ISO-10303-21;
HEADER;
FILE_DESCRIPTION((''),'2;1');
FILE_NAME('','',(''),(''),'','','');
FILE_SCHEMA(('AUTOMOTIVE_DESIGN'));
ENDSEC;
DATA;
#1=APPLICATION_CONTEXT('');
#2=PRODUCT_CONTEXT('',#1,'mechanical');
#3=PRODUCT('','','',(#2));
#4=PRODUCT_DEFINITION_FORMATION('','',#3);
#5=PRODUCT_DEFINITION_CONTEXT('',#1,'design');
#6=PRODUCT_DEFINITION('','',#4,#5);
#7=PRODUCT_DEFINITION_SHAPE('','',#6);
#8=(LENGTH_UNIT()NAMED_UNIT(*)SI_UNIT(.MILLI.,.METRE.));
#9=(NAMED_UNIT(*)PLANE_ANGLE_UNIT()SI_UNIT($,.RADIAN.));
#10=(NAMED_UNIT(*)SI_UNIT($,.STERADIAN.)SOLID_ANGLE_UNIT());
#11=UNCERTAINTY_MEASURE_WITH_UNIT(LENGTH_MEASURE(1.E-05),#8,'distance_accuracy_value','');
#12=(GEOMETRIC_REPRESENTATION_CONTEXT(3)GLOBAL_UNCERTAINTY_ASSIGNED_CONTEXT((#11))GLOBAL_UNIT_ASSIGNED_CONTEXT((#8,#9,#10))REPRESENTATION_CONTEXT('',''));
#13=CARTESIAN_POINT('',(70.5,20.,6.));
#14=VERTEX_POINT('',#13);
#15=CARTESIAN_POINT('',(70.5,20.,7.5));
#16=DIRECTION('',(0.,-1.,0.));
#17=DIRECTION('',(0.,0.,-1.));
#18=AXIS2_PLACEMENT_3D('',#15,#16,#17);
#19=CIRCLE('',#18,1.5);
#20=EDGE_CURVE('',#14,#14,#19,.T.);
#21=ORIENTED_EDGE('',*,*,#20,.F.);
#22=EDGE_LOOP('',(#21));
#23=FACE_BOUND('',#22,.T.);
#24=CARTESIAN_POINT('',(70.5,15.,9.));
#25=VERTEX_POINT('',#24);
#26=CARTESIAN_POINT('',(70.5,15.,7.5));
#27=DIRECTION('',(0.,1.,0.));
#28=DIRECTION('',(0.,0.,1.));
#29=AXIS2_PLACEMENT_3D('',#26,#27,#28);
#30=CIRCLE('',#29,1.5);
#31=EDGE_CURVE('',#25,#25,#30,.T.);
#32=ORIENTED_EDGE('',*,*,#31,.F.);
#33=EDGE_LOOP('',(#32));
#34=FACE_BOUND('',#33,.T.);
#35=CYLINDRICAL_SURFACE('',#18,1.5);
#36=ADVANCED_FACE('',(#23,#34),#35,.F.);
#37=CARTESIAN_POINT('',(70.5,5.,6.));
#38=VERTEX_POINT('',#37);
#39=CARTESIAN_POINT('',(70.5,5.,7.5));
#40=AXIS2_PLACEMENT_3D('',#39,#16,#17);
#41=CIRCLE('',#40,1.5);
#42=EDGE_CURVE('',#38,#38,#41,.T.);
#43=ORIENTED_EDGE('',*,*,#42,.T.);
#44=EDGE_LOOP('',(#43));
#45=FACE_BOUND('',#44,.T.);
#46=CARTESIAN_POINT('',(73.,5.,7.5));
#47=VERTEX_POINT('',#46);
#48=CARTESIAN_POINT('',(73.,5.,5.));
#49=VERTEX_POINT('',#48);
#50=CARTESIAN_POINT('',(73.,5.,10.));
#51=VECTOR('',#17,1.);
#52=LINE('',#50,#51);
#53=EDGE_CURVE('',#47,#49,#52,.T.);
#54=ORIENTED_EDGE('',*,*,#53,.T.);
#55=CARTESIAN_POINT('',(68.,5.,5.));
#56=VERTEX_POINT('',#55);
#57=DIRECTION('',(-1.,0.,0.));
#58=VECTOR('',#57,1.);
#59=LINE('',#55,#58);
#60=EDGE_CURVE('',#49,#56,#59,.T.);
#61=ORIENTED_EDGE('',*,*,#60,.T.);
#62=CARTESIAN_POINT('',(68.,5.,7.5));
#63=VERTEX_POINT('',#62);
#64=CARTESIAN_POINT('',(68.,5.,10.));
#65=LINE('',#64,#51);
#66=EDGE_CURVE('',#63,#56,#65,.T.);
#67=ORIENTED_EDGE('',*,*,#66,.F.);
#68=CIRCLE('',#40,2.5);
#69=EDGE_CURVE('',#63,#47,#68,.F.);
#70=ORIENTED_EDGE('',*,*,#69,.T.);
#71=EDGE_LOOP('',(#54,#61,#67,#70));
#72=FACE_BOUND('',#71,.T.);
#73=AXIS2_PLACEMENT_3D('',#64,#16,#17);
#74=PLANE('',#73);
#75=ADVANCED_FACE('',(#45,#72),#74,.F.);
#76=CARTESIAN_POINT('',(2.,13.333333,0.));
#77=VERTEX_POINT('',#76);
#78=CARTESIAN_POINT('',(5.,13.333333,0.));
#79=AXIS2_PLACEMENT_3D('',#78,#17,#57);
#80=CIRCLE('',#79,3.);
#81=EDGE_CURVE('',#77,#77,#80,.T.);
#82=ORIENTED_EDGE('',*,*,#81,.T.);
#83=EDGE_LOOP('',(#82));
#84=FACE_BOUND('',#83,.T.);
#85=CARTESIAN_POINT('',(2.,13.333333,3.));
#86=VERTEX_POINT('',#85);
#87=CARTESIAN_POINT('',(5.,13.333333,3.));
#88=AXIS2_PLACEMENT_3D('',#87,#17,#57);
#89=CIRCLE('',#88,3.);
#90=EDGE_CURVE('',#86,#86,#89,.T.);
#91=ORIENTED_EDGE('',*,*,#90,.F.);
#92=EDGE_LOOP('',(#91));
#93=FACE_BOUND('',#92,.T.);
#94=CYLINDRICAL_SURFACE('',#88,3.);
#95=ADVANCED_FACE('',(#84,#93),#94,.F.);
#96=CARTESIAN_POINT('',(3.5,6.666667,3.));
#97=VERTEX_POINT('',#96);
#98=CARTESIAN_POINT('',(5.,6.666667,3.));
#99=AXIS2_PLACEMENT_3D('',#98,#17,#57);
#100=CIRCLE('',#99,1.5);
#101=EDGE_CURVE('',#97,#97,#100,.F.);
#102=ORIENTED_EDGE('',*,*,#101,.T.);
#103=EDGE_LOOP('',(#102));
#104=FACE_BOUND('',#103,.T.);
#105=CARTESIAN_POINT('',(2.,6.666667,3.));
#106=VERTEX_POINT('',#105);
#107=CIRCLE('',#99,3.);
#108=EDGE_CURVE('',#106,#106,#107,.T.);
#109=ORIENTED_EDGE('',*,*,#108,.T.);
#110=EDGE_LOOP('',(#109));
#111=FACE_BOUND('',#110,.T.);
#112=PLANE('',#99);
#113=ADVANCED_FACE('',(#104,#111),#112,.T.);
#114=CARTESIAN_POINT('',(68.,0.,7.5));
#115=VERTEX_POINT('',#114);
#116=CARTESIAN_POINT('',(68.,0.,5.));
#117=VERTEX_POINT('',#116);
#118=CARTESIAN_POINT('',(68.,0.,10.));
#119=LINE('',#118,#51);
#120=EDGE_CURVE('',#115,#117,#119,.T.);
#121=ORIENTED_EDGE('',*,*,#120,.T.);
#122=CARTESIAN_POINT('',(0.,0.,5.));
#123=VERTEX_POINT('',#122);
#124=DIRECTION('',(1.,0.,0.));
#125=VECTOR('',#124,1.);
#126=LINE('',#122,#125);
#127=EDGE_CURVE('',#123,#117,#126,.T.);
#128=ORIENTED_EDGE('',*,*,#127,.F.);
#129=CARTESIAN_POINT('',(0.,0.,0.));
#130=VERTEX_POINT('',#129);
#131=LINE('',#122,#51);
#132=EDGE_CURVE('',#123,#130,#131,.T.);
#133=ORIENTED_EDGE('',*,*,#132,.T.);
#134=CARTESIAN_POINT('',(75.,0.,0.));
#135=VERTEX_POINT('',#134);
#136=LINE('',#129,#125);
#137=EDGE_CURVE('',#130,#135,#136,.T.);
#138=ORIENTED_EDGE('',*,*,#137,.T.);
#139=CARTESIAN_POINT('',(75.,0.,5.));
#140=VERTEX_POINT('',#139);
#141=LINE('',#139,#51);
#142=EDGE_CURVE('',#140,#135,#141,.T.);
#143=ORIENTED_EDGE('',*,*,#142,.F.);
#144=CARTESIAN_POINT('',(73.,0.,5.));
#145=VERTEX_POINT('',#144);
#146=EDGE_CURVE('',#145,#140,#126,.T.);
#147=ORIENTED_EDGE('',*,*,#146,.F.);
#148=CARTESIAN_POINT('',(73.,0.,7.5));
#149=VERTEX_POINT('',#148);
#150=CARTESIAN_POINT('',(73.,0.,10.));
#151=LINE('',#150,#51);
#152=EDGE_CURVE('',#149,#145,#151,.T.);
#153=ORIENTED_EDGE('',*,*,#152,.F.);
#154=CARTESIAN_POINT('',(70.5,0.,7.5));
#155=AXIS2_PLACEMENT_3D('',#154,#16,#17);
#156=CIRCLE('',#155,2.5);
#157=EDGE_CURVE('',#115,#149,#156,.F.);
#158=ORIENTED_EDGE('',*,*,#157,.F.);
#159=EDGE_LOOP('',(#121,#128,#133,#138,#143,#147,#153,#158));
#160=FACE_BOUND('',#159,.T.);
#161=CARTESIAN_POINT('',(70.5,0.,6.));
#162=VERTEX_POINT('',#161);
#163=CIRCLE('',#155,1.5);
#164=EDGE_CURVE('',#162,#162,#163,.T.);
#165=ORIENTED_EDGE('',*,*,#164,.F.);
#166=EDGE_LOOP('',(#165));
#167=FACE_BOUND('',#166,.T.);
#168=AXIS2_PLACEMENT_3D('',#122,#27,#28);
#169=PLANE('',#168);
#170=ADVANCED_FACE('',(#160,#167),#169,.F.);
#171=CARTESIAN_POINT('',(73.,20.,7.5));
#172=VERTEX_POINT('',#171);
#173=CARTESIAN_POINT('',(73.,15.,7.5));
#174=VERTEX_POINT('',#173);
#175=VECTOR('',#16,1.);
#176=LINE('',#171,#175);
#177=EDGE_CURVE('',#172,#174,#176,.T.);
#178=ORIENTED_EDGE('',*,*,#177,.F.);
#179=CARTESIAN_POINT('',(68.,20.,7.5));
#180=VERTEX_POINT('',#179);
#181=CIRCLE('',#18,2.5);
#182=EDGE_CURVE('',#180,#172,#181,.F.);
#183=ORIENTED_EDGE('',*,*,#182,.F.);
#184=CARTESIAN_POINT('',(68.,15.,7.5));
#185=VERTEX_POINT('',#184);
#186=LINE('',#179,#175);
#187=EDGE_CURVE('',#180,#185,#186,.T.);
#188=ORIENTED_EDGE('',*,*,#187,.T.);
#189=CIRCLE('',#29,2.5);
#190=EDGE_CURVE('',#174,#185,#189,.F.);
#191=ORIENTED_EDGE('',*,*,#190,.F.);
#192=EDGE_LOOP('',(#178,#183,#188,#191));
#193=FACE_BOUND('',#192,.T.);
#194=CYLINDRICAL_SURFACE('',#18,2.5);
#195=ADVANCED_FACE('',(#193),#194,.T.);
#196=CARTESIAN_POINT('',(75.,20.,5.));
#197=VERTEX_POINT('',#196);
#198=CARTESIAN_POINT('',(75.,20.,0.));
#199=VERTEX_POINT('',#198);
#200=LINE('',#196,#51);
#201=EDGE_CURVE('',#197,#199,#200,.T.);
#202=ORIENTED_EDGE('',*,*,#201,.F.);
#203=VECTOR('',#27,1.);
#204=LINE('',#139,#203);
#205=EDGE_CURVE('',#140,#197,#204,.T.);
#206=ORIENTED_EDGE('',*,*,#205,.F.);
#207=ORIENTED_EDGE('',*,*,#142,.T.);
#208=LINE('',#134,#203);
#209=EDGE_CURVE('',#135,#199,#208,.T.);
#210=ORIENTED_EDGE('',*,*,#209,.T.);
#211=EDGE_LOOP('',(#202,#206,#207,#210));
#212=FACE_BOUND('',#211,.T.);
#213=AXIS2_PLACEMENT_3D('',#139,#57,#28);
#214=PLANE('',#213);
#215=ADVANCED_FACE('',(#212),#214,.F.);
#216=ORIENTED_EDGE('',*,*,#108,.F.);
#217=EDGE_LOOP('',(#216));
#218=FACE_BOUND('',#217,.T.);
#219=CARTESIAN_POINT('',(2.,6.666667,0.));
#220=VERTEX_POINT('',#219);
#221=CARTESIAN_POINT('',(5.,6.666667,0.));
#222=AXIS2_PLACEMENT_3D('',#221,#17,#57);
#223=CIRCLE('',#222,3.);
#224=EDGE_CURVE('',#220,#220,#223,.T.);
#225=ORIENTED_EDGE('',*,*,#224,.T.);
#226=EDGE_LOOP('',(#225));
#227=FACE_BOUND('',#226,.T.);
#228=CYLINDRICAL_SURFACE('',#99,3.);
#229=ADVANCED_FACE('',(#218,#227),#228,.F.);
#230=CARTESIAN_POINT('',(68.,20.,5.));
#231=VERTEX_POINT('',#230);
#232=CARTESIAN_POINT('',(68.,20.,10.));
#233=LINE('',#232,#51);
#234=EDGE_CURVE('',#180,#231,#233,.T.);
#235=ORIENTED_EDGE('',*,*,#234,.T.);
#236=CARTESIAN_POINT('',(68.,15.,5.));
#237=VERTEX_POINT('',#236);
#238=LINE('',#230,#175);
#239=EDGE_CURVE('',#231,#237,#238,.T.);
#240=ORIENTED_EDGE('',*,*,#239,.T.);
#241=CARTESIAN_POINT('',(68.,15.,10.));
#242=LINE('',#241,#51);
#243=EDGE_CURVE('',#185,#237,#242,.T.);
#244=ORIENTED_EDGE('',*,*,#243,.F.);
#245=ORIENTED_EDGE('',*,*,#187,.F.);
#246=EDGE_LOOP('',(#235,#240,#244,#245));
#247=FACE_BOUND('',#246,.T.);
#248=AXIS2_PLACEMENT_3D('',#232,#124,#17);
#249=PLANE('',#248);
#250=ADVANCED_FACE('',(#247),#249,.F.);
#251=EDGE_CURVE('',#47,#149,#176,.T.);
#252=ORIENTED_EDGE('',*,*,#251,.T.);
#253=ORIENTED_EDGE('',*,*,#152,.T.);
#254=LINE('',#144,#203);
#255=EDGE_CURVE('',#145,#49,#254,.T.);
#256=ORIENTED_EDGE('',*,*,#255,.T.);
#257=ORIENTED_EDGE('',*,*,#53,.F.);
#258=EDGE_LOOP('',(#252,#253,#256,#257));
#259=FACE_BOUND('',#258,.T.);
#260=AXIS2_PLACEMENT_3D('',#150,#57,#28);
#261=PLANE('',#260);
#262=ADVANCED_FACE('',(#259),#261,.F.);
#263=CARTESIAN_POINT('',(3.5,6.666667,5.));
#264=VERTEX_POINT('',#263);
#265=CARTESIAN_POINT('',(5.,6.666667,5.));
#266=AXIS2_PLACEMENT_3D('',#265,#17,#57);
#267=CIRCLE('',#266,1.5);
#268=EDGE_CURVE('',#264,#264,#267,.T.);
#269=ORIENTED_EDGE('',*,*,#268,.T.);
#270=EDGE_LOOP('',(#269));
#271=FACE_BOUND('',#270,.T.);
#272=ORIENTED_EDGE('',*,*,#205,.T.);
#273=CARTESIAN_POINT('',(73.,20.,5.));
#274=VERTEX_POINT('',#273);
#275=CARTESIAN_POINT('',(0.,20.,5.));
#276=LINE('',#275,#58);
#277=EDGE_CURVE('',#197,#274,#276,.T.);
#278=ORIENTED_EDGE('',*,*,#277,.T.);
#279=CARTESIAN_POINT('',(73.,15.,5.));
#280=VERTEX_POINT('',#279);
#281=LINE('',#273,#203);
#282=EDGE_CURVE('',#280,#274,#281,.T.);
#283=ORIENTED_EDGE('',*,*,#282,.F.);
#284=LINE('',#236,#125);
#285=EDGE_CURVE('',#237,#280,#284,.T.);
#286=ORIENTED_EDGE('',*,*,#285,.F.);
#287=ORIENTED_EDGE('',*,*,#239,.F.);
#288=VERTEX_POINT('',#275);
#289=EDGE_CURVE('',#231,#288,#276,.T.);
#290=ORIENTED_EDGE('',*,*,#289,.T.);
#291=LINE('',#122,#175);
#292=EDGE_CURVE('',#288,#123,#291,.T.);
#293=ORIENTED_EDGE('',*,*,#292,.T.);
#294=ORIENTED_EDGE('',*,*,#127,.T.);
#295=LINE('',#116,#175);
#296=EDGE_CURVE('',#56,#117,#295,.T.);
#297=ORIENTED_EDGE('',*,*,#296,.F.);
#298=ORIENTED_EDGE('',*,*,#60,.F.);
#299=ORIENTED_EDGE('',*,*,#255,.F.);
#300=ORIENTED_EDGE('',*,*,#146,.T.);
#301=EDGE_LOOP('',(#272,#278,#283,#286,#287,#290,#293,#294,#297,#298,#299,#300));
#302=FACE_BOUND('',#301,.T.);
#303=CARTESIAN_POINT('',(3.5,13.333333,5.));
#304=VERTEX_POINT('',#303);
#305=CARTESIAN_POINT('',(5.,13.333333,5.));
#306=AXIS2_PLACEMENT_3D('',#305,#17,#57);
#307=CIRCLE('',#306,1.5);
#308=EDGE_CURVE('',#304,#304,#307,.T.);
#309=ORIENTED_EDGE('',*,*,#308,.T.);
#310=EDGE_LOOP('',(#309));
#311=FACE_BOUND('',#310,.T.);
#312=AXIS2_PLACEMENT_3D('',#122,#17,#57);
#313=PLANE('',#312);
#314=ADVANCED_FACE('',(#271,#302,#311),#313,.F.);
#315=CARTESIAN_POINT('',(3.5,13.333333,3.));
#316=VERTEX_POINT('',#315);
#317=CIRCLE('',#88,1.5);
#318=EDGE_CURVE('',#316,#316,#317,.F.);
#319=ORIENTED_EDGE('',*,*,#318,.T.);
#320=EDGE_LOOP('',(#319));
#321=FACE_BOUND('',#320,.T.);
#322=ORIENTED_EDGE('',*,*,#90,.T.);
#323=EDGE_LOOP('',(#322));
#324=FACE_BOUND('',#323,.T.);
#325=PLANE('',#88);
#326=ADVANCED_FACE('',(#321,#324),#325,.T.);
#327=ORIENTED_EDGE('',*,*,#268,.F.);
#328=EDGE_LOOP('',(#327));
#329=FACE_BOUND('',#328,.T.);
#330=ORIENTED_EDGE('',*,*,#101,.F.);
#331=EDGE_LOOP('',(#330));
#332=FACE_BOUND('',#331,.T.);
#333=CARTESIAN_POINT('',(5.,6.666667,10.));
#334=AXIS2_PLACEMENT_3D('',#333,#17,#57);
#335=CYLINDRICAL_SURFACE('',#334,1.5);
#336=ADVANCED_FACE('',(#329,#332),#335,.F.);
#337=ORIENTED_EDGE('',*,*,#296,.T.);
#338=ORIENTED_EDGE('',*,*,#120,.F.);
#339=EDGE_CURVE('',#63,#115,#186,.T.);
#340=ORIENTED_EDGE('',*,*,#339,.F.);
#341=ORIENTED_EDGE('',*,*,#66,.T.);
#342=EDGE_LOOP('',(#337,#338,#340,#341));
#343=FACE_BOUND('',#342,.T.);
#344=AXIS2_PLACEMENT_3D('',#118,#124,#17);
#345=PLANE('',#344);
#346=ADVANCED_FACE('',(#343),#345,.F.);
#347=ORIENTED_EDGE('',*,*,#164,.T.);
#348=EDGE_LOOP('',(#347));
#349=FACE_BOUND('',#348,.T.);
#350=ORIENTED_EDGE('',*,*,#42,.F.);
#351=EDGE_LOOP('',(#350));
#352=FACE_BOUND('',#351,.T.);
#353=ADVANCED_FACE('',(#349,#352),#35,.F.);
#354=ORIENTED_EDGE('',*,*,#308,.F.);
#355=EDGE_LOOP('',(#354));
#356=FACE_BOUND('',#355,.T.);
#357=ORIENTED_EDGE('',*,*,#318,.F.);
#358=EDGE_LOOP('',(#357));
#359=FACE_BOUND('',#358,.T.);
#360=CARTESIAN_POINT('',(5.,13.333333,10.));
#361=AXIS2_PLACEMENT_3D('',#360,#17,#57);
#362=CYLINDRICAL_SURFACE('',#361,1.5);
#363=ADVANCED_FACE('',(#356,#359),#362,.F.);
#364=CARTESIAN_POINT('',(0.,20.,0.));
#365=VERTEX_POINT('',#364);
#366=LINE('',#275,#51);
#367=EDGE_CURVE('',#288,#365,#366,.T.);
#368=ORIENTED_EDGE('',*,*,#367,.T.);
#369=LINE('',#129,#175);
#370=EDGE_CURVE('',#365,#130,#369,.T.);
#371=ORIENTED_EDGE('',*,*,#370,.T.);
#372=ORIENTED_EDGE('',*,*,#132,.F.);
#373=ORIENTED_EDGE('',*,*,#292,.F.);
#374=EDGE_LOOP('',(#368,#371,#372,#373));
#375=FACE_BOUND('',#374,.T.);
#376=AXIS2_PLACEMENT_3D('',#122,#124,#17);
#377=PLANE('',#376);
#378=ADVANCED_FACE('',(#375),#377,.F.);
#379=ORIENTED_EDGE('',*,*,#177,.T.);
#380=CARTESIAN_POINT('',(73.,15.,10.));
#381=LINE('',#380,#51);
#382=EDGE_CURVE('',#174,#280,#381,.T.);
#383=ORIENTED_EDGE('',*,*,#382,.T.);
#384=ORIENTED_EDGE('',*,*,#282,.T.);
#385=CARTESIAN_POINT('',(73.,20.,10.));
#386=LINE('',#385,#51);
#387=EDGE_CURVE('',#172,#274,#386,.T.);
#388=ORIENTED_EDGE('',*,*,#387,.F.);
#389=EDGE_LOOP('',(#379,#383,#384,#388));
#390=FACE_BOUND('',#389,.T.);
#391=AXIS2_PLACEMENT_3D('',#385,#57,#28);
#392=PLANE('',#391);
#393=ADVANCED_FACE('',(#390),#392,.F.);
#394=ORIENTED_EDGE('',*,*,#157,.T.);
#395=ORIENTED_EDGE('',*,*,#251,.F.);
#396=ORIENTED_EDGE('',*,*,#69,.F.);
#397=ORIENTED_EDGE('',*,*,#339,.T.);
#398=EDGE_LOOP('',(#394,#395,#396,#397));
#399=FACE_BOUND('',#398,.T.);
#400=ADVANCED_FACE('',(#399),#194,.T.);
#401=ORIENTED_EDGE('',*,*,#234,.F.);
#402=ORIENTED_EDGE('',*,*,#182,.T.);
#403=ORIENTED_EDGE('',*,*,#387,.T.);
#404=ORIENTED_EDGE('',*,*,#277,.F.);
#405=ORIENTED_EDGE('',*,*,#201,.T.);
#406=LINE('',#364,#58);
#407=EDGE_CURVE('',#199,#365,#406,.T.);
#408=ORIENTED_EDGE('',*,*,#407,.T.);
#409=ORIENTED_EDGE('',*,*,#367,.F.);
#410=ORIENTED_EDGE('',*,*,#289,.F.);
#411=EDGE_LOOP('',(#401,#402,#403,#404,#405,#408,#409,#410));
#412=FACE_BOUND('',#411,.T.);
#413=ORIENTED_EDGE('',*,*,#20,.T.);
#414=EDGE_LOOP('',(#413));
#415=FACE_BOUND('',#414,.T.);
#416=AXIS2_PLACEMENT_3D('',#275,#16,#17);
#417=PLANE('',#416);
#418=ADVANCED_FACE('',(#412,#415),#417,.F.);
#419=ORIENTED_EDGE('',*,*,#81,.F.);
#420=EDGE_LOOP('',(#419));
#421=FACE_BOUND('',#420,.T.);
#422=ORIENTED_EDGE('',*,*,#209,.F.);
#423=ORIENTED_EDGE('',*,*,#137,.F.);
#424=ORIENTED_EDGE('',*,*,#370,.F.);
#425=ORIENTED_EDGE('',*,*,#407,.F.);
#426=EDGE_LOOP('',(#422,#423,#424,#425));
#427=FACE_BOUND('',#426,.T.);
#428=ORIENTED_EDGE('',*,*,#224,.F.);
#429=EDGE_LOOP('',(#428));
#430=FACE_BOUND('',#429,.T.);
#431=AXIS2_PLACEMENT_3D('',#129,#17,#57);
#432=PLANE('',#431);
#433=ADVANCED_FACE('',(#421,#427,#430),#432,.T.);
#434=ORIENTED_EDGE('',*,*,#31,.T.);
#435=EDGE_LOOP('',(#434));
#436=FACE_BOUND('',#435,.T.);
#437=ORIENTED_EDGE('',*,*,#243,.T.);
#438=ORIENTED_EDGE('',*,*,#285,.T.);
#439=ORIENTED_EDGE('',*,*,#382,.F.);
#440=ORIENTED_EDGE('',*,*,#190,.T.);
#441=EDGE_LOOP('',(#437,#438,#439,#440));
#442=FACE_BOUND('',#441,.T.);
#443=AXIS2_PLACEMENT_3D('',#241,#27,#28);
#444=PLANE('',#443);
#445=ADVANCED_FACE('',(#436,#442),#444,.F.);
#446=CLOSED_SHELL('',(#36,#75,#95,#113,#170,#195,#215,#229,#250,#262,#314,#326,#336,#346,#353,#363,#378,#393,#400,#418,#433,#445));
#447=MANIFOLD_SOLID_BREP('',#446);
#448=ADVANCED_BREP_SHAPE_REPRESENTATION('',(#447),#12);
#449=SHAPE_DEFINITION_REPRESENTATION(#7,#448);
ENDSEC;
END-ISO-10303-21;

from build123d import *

# Parameters (mm, degrees)
ESQUISSE1_W             = 75
ESQUISSE1_H             = 20
BOSS_EXTRU_1_DEPTH      = 5
ESQUISSE2_W             = 5
ESQUISSE2_H             = 5
BOSS_EXTRU_2_DEPTH      = 5
ESQUISSE3_R             = 1.5
ENL_V_MAT_EXTRU_1_DEPTH = 79.262379212
ESQUISSE4_R             = 1.5
ENL_V_MAT_EXTRU_2_DEPTH = 79.262379212
ESQUISSE5_R             = 3
ENL_V_MAT_EXTRU_3_DEPTH = 3


with BuildPart() as part:
    # Esquisse1 → Boss.-Extru.1 (new body)
    with BuildSketch(Plane.XY):
        with Locations((37.5, 10)):
            Rectangle(ESQUISSE1_W, ESQUISSE1_H)
    extrude(amount=BOSS_EXTRU_1_DEPTH)

    # Esquisse2 → Boss.-Extru.2 (add)
    with BuildSketch(Plane.XY.offset(5)):
        with Locations((70.5, 17.5)):
            Rectangle(ESQUISSE2_W, ESQUISSE2_H)
        with Locations((70.5, 2.5)):
            Rectangle(ESQUISSE2_W, ESQUISSE2_H)
    extrude(amount=BOSS_EXTRU_2_DEPTH)

    # Esquisse3 → Enlèv. mat.-Extru.1 (cut, through all)
    with BuildSketch(Plane.XZ):
        with Locations(Location((70.5, 7.5, 0), (0, 0, 270))):
            Circle(ESQUISSE3_R)
        with BuildLine():
            Line((68, 10), (68, 7.5))
            ThreePointArc((68, 7.5), (68.732233047, 9.267766953), (70.5, 10))
            Line((70.5, 10), (68, 10))
        make_face()
        with BuildLine():
            Line((73, 10), (70.5, 10))
            ThreePointArc((70.5, 10), (72.267766953, 9.267766953), (73, 7.5))
            Line((73, 7.5), (73, 10))
        make_face()
    extrude(amount=-ENL_V_MAT_EXTRU_1_DEPTH, mode=Mode.SUBTRACT)

    # Esquisse4 → Enlèv. mat.-Extru.2 (cut, through all)
    with BuildSketch(Plane(origin=(0, 0, 0), x_dir=(-1, 0, 0), z_dir=(0, 0, -1))):
        with Locations((-5, 6.666666667)):
            Circle(ESQUISSE4_R)
        with Locations((-5, 13.333333333)):
            Circle(ESQUISSE4_R)
    extrude(amount=-ENL_V_MAT_EXTRU_2_DEPTH, mode=Mode.SUBTRACT)

    # Esquisse5 → Enlèv. mat.-Extru.3 (cut)
    with BuildSketch(Plane(origin=(0, 0, 0), x_dir=(-1, 0, 0), z_dir=(0, 0, -1))):
        with Locations((-5, 6.666666667)):
            Circle(ESQUISSE5_R)
        with Locations((-5, 13.333333333)):
            Circle(ESQUISSE5_R)
    extrude(amount=-ENL_V_MAT_EXTRU_3_DEPTH, mode=Mode.SUBTRACT)


solid = part.part
